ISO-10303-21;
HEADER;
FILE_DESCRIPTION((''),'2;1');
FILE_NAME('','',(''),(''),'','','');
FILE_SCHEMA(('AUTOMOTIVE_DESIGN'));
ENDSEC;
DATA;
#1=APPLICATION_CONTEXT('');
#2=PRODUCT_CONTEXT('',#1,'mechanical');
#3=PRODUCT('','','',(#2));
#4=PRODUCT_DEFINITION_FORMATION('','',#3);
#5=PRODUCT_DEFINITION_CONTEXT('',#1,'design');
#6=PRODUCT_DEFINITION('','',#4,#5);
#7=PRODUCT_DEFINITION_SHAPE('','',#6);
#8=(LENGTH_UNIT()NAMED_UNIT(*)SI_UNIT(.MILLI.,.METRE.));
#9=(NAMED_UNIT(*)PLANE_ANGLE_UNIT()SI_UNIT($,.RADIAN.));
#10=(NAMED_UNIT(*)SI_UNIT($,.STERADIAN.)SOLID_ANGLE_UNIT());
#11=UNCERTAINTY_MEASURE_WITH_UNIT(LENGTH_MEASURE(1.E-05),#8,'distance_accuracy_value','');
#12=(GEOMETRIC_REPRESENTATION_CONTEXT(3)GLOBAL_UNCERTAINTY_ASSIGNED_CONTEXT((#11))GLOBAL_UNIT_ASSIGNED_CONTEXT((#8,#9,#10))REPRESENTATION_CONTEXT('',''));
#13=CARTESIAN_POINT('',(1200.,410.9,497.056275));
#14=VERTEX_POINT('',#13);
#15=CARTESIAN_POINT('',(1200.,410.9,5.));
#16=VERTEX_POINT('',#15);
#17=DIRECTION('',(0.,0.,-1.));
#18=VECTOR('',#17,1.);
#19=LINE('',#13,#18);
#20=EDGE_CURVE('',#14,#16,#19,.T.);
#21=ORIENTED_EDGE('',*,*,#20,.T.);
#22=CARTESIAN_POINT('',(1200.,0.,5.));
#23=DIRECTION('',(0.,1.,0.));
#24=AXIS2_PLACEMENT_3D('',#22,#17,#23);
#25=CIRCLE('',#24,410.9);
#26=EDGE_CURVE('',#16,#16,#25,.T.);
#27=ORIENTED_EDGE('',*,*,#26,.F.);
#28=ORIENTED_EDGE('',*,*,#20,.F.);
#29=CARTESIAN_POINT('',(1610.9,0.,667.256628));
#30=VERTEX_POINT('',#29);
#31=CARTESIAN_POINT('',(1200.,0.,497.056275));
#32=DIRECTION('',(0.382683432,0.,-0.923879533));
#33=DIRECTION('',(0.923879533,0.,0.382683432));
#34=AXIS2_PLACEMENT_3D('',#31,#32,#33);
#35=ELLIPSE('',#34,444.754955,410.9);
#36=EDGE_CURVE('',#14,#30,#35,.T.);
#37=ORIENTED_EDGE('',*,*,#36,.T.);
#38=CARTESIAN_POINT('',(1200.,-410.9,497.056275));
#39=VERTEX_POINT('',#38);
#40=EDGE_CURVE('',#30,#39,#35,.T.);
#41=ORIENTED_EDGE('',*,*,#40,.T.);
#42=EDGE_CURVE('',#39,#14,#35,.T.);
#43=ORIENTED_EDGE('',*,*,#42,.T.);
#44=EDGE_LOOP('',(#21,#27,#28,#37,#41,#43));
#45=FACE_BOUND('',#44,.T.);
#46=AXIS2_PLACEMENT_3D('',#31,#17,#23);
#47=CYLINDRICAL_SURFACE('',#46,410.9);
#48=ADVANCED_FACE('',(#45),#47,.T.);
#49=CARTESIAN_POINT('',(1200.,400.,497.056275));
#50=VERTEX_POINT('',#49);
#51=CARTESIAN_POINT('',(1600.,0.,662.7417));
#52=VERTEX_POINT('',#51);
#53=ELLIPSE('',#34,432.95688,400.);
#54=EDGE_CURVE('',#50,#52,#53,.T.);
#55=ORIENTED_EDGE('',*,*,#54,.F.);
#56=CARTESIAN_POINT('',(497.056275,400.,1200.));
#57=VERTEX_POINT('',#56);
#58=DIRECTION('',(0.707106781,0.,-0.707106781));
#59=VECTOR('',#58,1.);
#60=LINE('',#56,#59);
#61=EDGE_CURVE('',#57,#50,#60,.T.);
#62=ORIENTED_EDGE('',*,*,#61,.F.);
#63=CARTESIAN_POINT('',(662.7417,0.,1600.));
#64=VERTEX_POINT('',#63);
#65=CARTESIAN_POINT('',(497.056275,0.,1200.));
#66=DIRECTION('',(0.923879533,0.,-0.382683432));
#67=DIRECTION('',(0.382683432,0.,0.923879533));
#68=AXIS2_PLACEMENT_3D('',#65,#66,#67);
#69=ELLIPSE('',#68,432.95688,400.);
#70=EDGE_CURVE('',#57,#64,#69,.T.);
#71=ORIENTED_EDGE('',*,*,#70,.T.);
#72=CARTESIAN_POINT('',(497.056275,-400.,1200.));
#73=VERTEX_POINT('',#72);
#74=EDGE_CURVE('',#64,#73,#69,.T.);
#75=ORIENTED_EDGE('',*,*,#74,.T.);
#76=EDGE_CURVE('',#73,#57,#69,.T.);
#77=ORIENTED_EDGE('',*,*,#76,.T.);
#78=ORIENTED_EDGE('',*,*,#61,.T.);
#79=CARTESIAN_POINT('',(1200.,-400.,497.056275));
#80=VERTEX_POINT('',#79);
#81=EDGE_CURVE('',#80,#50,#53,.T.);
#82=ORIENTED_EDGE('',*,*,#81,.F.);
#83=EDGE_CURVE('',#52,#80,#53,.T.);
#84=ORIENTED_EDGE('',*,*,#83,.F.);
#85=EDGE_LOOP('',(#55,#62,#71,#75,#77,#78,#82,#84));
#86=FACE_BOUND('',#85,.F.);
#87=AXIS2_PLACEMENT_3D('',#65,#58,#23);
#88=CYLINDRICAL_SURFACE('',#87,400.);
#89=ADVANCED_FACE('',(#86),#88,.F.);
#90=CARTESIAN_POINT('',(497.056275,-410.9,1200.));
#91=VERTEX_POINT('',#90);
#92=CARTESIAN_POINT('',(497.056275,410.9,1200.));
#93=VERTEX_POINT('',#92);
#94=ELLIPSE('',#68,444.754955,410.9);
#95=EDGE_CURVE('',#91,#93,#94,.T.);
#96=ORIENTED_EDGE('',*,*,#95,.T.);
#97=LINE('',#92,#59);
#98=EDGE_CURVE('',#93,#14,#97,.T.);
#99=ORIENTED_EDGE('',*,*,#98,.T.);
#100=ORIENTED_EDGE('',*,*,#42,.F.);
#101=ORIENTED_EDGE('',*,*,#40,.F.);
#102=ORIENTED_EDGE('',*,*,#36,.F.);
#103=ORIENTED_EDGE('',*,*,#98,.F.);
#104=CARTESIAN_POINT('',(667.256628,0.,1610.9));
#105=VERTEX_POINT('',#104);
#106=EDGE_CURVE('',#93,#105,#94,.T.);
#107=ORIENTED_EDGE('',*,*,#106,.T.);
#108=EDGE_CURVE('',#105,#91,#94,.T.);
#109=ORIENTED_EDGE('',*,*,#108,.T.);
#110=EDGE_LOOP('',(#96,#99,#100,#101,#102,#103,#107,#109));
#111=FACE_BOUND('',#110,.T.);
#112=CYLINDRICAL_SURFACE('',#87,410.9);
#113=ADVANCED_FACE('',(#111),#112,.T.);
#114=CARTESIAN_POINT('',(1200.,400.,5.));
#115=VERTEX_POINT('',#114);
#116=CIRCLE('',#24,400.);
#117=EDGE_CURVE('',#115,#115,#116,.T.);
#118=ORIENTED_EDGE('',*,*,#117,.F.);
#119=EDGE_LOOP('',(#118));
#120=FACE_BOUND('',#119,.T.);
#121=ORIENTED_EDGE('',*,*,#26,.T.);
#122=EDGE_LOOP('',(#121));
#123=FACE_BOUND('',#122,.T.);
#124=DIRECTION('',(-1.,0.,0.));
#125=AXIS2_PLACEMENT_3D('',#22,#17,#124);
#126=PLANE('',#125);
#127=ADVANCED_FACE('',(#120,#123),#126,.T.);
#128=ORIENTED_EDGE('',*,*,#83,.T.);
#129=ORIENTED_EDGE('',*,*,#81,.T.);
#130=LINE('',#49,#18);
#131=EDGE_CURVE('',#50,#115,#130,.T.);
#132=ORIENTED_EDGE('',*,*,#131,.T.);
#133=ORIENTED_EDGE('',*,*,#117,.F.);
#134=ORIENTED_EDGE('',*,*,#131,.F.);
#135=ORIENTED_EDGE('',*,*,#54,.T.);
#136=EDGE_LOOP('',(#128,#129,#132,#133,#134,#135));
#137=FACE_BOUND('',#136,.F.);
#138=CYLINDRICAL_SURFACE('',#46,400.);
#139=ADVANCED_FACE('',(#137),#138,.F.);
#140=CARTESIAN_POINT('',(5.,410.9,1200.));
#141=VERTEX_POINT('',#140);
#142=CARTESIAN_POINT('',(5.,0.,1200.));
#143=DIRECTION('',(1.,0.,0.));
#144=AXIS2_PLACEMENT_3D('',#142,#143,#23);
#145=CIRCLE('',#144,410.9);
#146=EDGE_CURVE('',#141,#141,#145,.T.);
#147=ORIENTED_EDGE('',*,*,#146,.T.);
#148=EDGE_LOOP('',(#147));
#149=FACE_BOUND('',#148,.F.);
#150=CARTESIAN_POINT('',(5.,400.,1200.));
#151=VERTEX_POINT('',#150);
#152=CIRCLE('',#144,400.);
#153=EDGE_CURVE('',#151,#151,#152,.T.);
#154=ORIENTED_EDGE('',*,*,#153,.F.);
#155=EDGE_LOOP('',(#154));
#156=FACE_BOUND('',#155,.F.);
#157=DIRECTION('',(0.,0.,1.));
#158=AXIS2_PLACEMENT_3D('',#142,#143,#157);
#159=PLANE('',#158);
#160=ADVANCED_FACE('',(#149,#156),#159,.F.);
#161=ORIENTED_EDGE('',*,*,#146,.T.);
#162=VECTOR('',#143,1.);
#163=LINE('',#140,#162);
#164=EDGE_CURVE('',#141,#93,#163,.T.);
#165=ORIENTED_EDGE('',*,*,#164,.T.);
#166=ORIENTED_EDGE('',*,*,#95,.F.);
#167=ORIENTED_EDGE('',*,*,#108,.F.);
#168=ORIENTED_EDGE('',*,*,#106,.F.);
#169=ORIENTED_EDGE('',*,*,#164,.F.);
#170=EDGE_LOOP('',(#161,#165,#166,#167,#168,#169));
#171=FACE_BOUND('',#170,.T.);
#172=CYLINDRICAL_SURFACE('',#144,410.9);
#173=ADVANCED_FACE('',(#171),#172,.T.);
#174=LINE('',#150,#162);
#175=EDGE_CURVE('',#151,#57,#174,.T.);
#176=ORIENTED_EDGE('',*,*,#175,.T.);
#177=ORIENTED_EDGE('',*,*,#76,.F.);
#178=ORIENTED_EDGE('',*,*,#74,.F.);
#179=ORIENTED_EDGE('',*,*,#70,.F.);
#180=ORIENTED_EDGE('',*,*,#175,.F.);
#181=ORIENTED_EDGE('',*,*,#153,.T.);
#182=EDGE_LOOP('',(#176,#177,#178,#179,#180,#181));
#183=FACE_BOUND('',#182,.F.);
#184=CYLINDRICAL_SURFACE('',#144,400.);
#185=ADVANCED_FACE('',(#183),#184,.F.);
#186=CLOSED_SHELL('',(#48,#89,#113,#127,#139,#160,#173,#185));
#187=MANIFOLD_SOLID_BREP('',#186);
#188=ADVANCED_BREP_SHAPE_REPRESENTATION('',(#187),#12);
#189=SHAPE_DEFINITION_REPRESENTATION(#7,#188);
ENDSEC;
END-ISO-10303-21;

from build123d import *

# Parameters (mm, degrees)
F2_R   = 410.9
F2_R_2 = 400


with BuildPart() as f3:
    # F3: sweep along a path in F0
    with BuildLine(Plane.XZ) as f3_path:
        Line((5, 1200), (497.0562748477, 1200))
        Line((497.0562748477, 1200), (1200, 497.0562748477))
        Line((1200, 497.0562748477), (1200, 5))
    # F2 (on line) → F3 (sweep)
    with BuildSketch(Plane.YZ.offset(5)):
        with Locations((0, 1200)):
            Circle(F2_R)
        with Locations((0, 1200)):
            Circle(F2_R_2, mode=Mode.SUBTRACT)
    sweep(path=f3_path.line, transition=Transition.RIGHT)


solid = f3.part
